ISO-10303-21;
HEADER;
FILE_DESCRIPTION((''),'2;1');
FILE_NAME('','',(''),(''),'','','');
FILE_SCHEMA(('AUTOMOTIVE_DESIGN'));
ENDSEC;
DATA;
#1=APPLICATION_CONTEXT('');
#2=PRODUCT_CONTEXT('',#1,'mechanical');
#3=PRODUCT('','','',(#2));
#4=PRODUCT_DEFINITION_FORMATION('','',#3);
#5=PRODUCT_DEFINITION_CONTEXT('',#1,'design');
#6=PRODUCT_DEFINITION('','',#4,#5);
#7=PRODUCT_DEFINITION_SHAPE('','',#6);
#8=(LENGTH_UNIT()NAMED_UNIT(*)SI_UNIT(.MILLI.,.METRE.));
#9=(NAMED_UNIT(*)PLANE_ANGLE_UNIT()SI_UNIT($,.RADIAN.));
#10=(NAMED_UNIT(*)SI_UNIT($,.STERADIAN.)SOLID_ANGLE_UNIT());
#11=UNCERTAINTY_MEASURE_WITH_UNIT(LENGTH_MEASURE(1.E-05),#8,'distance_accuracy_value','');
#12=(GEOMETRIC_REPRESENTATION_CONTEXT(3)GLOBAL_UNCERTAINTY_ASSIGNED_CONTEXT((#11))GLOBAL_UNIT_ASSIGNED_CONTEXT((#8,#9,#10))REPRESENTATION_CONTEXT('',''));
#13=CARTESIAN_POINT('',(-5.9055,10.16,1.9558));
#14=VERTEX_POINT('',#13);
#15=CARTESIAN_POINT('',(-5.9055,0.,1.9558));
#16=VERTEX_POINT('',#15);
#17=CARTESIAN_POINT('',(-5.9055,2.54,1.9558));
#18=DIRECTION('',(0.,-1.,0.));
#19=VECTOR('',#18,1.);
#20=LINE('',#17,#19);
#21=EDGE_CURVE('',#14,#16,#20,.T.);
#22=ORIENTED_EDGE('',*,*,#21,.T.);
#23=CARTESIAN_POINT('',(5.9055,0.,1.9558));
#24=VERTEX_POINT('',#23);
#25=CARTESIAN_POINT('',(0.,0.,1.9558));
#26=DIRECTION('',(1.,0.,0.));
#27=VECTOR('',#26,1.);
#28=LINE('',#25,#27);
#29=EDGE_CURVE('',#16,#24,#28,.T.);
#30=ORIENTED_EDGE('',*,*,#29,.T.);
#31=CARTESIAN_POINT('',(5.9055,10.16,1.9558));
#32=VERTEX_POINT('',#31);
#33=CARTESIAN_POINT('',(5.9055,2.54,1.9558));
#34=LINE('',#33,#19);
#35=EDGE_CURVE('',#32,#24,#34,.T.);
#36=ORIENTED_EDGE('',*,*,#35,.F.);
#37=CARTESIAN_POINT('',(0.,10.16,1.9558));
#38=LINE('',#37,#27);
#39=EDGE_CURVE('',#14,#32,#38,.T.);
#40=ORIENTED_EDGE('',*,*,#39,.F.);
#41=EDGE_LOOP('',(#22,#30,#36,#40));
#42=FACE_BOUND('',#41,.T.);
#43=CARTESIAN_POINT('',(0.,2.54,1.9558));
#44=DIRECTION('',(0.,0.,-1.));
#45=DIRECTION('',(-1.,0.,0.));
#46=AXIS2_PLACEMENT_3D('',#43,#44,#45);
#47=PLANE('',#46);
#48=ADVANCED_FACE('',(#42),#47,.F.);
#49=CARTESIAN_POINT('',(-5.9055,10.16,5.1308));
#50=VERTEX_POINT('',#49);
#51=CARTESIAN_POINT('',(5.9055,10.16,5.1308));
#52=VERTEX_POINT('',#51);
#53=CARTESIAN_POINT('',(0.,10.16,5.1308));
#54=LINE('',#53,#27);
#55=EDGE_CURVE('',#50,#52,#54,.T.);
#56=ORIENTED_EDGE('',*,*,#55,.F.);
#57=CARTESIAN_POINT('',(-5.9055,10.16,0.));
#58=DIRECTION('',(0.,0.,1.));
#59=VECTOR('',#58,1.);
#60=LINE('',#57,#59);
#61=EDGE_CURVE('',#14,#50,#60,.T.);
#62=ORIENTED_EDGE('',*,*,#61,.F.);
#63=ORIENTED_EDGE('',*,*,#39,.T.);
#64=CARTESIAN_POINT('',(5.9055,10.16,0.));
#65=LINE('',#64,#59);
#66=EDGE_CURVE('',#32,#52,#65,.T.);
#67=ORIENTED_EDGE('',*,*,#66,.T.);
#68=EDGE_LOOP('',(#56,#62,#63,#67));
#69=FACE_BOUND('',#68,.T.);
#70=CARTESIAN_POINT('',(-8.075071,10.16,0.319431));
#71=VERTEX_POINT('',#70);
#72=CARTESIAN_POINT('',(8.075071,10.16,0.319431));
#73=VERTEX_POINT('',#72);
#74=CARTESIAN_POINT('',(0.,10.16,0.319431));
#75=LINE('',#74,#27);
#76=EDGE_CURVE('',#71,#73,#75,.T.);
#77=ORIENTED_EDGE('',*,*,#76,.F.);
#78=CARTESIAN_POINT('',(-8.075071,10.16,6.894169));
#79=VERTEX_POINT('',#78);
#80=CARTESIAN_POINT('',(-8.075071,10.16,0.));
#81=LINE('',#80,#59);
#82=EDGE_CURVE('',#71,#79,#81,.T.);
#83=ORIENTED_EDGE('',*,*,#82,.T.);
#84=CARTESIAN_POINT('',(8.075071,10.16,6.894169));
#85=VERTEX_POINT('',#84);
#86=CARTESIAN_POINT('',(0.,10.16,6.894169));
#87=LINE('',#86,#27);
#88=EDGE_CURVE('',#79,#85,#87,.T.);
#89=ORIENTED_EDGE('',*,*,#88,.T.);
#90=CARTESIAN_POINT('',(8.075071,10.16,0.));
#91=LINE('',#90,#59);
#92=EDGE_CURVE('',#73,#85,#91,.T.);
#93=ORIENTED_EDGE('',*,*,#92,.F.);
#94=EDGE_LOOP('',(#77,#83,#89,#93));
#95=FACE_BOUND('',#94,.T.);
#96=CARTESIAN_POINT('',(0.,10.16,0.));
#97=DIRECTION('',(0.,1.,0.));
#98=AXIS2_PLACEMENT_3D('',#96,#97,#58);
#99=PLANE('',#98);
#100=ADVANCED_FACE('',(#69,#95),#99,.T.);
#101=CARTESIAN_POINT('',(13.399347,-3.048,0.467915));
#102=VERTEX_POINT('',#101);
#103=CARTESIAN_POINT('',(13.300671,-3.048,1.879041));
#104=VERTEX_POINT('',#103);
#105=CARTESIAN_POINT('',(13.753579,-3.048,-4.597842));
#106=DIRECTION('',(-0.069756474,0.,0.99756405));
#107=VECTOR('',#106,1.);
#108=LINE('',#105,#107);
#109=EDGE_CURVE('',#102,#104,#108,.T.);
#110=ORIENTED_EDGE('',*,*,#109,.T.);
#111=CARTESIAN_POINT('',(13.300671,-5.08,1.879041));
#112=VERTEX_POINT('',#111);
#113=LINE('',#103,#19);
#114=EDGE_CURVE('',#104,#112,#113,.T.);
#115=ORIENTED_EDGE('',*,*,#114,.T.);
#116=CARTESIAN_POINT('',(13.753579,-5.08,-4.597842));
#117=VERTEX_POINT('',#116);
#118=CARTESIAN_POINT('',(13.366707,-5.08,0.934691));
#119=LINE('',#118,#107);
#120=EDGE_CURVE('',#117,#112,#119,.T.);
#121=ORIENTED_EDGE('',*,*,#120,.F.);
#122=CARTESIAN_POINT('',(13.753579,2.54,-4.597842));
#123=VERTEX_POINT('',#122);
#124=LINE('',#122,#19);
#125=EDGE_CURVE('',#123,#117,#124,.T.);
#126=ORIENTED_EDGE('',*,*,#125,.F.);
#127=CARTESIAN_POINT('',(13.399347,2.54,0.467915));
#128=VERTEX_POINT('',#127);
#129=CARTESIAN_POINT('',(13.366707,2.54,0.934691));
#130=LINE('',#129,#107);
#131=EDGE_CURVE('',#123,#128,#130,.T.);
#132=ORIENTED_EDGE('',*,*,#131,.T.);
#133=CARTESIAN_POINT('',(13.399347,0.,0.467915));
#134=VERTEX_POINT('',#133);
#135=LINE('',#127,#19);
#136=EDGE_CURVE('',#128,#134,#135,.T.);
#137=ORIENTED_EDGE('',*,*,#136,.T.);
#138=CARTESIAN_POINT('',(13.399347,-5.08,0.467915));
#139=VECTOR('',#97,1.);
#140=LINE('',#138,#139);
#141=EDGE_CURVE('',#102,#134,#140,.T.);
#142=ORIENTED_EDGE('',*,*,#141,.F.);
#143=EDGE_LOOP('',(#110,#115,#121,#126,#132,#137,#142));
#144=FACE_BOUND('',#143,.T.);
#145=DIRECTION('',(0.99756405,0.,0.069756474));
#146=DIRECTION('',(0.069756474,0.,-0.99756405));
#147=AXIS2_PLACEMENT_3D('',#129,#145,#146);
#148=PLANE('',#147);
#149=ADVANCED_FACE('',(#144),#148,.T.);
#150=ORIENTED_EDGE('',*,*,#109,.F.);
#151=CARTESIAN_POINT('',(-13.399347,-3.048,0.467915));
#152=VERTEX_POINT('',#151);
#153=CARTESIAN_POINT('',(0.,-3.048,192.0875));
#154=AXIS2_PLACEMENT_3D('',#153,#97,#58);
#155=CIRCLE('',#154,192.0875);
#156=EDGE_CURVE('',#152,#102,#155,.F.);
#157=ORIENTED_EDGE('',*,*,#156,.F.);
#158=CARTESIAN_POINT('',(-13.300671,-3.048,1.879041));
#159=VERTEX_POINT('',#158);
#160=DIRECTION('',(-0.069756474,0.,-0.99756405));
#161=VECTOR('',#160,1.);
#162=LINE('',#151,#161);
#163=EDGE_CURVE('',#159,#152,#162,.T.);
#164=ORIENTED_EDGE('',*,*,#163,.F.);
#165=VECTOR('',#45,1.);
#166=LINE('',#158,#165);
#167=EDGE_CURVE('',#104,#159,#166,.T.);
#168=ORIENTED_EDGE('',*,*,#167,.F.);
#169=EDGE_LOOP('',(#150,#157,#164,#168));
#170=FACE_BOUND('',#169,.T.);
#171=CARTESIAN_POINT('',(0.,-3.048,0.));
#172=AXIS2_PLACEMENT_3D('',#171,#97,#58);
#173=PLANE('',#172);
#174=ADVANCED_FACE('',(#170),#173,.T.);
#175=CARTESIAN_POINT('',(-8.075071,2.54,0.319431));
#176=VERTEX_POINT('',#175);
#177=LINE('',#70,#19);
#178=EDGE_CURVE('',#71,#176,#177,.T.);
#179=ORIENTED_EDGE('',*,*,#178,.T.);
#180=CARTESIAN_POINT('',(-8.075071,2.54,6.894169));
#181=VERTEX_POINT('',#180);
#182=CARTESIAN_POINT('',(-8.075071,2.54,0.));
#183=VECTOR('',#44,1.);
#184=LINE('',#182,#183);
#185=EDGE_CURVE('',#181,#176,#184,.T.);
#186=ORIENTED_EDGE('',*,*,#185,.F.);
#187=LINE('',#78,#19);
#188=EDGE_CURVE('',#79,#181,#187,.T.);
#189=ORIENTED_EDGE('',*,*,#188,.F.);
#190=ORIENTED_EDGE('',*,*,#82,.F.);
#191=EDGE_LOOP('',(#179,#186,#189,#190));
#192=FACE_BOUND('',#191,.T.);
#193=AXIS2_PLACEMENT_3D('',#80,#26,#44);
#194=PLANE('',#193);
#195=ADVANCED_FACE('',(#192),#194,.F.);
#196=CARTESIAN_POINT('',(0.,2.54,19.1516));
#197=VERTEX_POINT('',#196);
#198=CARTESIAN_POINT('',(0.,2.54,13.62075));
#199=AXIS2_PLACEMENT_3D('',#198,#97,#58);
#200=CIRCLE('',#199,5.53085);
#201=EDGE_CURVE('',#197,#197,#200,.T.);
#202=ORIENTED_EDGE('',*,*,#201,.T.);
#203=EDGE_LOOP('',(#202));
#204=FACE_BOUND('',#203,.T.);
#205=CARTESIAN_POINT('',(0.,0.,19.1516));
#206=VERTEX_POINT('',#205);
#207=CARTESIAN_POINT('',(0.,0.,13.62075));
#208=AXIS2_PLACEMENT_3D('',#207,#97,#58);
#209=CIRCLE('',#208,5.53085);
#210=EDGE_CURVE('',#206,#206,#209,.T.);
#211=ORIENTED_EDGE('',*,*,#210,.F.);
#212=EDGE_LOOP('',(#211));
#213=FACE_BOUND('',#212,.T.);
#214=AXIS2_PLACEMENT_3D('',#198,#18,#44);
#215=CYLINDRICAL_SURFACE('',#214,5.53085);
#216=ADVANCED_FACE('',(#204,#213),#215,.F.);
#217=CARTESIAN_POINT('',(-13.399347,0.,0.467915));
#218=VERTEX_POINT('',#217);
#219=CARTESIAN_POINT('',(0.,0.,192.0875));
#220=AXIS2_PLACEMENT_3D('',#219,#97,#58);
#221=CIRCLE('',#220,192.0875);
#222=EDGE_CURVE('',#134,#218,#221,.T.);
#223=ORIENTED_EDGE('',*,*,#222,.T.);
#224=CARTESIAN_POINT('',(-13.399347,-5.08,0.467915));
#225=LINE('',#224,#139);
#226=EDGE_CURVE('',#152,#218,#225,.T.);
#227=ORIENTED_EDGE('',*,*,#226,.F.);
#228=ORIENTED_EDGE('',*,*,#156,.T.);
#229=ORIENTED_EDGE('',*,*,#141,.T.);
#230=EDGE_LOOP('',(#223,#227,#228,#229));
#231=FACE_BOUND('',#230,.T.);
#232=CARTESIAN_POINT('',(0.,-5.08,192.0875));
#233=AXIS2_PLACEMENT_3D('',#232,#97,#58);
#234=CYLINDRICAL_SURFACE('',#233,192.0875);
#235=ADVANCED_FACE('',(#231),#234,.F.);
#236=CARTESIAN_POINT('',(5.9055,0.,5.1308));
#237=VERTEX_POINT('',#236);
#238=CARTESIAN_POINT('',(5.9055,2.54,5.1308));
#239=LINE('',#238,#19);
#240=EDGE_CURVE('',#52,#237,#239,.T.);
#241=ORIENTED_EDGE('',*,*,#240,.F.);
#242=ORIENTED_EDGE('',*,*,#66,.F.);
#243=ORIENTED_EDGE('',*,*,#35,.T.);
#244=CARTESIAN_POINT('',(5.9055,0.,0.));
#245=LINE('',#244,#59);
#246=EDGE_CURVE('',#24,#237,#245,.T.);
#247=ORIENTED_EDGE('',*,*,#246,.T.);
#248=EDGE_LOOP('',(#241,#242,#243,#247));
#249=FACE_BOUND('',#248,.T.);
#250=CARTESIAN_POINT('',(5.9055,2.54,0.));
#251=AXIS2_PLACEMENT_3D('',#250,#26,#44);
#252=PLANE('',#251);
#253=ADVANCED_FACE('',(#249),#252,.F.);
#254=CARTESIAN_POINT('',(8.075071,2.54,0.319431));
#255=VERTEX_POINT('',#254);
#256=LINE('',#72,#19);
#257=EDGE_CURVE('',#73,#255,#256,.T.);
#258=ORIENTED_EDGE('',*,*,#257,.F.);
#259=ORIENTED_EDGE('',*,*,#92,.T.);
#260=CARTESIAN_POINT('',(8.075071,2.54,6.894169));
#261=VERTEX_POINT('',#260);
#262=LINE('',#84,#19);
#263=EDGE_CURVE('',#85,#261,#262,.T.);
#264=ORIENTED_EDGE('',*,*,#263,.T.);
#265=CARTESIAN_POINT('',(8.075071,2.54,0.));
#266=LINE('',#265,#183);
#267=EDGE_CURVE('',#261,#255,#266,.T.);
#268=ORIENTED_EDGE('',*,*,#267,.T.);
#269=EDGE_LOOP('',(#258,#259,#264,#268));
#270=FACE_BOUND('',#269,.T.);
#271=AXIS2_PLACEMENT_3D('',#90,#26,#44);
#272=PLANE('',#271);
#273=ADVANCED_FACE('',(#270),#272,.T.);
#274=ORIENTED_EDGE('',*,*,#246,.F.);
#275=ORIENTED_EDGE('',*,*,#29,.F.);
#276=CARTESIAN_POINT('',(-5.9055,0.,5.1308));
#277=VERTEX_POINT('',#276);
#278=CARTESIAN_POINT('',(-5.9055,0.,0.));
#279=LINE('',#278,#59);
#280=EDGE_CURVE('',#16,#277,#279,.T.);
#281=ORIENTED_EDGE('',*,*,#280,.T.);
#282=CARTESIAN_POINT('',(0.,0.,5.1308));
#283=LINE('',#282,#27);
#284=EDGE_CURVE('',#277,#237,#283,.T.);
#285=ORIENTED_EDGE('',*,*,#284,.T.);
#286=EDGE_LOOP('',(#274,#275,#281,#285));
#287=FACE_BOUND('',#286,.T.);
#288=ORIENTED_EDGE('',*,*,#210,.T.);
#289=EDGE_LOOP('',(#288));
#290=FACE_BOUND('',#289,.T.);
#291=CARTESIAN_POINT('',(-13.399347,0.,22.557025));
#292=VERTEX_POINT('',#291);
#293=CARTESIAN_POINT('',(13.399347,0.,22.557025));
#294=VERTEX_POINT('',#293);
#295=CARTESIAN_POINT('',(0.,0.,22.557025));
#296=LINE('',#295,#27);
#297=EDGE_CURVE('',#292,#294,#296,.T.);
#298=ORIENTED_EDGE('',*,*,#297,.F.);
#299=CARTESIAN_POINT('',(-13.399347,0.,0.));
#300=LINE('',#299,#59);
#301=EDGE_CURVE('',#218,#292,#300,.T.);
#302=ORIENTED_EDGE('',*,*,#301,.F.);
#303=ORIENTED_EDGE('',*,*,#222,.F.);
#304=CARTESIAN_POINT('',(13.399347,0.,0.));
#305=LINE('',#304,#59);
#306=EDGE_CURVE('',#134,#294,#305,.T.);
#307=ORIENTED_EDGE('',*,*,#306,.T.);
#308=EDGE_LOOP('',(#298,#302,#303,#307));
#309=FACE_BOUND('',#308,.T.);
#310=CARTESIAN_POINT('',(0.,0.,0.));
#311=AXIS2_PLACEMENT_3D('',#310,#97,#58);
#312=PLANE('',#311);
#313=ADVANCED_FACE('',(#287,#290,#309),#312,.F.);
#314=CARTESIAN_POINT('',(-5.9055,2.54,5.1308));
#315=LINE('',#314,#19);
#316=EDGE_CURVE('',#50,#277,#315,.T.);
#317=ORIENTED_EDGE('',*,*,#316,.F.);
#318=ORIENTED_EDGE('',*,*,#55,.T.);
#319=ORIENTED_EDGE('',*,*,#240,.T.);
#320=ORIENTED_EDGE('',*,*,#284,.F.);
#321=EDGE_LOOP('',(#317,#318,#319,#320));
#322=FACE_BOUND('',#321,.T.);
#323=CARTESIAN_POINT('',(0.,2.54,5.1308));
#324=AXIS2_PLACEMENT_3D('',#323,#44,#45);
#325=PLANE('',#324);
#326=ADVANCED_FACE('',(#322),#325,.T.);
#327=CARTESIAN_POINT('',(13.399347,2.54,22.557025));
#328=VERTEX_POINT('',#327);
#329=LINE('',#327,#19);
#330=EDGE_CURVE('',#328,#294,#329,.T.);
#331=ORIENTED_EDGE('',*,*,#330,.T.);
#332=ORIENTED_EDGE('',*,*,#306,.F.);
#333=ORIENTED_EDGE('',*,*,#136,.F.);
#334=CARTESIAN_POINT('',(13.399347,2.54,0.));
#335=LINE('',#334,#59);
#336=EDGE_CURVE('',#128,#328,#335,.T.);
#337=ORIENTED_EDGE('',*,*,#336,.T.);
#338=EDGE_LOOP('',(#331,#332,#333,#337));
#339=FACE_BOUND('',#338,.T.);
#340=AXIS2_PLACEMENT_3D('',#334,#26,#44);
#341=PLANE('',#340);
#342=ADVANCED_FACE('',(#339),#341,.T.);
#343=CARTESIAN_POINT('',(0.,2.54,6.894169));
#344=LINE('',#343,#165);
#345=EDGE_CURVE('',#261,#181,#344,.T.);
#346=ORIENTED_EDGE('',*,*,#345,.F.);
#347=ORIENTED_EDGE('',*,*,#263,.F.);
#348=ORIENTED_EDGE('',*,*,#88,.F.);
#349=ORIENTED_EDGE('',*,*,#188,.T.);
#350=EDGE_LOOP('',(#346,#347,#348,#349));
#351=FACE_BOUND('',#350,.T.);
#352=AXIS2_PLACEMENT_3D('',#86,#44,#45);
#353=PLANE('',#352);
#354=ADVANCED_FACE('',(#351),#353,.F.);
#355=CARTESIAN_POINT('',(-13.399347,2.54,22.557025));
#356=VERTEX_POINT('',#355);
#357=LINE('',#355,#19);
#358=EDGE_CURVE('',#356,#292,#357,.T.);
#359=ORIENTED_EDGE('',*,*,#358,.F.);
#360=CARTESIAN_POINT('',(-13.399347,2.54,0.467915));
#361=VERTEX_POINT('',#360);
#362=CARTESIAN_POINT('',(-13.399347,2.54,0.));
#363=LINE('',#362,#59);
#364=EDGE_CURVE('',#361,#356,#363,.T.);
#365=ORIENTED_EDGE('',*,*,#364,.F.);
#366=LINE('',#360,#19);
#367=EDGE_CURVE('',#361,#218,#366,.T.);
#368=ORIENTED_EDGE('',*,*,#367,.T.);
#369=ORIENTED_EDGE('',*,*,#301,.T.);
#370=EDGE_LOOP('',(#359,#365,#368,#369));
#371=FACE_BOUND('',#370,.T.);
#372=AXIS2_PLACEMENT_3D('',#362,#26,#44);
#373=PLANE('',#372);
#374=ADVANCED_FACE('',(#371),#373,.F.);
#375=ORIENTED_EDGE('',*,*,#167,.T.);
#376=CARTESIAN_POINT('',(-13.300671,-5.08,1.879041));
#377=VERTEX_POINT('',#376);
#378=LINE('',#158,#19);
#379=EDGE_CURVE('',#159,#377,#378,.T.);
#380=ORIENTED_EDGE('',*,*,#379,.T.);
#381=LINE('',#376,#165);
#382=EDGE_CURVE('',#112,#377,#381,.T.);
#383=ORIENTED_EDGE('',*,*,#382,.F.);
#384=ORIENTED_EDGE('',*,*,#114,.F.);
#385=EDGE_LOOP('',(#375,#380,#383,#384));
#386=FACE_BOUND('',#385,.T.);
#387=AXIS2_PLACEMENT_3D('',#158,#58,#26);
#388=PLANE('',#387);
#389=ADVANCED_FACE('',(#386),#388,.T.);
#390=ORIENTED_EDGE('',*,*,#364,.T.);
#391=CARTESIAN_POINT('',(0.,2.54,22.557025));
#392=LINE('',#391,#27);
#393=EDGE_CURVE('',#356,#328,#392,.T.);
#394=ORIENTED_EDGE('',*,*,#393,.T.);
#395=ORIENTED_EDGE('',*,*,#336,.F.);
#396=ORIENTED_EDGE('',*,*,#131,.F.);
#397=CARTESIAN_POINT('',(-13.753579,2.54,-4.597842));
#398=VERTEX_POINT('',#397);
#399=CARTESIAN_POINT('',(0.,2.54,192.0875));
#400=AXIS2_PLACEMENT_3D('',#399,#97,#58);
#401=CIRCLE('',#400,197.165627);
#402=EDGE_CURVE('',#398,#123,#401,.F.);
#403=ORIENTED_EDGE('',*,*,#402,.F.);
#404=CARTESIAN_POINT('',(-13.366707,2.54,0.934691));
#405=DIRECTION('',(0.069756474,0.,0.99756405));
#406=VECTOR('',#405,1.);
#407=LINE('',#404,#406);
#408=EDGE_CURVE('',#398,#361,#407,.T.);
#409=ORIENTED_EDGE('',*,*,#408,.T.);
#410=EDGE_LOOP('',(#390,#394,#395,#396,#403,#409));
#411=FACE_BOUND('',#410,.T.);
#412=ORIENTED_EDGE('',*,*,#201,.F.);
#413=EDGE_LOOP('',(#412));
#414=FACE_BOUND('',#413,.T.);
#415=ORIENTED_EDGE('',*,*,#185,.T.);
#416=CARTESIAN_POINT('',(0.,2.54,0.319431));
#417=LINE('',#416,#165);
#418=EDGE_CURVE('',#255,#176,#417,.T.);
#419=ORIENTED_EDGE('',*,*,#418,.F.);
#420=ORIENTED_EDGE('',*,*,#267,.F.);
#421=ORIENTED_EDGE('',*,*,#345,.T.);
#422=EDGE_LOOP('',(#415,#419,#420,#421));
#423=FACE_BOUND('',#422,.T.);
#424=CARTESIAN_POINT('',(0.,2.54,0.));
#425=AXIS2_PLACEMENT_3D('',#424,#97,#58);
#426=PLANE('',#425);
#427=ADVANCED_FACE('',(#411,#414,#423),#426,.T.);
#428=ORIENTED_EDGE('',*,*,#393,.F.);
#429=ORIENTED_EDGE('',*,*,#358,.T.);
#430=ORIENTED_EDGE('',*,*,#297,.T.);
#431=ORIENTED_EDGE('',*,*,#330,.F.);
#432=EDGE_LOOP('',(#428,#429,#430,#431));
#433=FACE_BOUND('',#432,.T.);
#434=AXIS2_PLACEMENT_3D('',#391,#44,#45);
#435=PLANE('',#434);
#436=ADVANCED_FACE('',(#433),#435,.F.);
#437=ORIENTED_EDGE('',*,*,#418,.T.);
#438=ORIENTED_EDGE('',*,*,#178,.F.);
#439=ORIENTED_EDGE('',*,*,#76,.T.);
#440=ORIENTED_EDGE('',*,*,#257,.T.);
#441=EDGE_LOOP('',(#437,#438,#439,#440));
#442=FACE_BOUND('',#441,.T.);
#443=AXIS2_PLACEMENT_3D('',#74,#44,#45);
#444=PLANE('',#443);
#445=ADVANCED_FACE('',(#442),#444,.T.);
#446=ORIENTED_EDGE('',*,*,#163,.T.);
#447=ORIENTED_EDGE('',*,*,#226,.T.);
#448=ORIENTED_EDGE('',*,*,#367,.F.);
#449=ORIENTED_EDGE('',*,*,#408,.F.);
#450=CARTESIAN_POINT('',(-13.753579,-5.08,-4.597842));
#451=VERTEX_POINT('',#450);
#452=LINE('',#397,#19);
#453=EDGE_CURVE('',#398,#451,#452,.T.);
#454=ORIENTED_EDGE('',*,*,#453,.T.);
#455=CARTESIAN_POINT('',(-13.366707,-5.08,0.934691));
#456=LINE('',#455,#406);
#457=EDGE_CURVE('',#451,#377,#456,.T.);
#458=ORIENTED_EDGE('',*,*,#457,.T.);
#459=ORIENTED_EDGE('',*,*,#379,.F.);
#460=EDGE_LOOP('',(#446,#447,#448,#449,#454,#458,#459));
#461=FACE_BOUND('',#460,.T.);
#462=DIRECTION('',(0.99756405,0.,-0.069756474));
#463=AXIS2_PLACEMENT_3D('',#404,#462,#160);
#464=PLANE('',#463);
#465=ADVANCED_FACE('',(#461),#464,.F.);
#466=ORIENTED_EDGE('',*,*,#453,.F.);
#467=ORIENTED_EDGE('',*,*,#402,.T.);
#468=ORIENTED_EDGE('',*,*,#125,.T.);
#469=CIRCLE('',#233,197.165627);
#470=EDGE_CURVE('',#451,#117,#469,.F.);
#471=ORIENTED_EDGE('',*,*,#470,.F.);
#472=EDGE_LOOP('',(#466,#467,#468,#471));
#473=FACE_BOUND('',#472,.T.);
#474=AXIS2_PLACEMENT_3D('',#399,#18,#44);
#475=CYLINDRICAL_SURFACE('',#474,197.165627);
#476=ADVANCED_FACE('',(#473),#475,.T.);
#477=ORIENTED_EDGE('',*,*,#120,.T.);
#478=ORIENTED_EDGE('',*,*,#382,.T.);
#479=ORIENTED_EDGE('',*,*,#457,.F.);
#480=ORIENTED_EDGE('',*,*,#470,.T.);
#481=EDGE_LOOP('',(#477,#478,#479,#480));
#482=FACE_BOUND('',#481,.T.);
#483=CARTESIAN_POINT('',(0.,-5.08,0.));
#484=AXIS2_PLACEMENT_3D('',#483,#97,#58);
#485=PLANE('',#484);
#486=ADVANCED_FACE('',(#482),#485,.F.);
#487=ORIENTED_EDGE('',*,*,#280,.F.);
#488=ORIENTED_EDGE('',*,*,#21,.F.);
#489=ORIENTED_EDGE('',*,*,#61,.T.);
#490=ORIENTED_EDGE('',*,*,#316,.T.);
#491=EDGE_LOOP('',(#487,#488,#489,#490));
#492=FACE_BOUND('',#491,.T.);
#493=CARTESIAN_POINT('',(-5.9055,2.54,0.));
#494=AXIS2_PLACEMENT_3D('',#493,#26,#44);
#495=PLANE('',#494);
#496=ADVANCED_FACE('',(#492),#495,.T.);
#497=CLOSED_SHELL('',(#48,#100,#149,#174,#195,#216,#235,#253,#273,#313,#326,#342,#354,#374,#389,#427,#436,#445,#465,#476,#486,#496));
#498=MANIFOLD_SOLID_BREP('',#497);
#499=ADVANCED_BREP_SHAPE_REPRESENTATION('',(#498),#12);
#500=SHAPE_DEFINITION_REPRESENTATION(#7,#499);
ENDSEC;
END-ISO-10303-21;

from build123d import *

# Parameters (mm, degrees)
SKETCH1_R           = 5.53085
SKETCH1_W           = 11.811
SKETCH1_H           = 3.175
BOSS_EXTRUDE1_DEPTH = 2.54
SKETCH1_3_W         = 16.150142566
SKETCH1_3_H         = 6.574737844
BOSS_EXTRUDE2_DEPTH = 10.16
BOSS_EXTRUDE3_START = -5.08
BOSS_EXTRUDE3_DEPTH = 5.08
BOSS_EXTRUDE5_DEPTH = 2.032


with BuildPart() as part:
    # Sketch1 → Boss-Extrude1 (new body)
    with BuildSketch(Plane(origin=(0, 0, 0), x_dir=(1, 0, 0), z_dir=(0, 1, 0))):
        with BuildLine():
            ThreePointArc((13.753578899, 4.597841674), (0, 5.078127233), (-13.753578899, 4.597841674))
            Line((-13.753578899, 4.597841674), (-13.39934665, -0.467915496))
            Line((-13.39934665, -0.467915496), (-13.39934665, -22.557024998))
            Line((-13.39934665, -22.557024998), (13.39934665, -22.557024998))
            Line((13.39934665, -22.557024998), (13.39934665, -0.467915496))
            Line((13.39934665, -0.467915496), (13.753578899, 4.597841674))
        make_face()
        with Locations((0, -13.62075)):
            Circle(SKETCH1_R, mode=Mode.SUBTRACT)
        with Locations((0, -3.5433)):
            Rectangle(SKETCH1_W, SKETCH1_H, mode=Mode.SUBTRACT)
    extrude(amount=BOSS_EXTRUDE1_DEPTH)

    # Sketch1<3> → Boss-Extrude2 (add)
    with BuildSketch(Plane(origin=(0, 0, 0), x_dir=(1, 0, 0), z_dir=(0, 1, 0))):
        with Locations((0, -3.6068)):
            Rectangle(SKETCH1_3_W, SKETCH1_3_H)
        Polygon((0, -5.1308), (-5.9055, -5.1308), (-5.9055, -1.9558), (5.9055, -1.9558), (5.9055, -5.1308), align=None, mode=Mode.SUBTRACT)
    extrude(amount=BOSS_EXTRUDE2_DEPTH)

    # Sketch1<4> → Boss-Extrude3 (add)
    with BuildSketch(Plane(origin=(0, 0, 0), x_dir=(1, 0, 0), z_dir=(0, 1, 0)).offset(BOSS_EXTRUDE3_START)):
        with BuildLine():
            ThreePointArc((13.753578899, 4.597841674), (0, 5.078127233), (-13.753578899, 4.597841674))
            Line((-13.753578899, 4.597841674), (-13.39934665, -0.467915496))
            ThreePointArc((-13.39934665, -0.467915496), (-6.703757073, -0.117014515), (0, 0))
            ThreePointArc((0, 0), (6.703757073, -0.117014515), (13.39934665, -0.467915496))
            Line((13.39934665, -0.467915496), (13.753578899, 4.597841674))
        make_face()
    extrude(amount=BOSS_EXTRUDE3_DEPTH)

    # Sketch2 → Boss-Extrude5 (add)
    with BuildSketch(Plane.XZ.offset(5.08)):
        Polygon((-13.753578899, -4.597841674), (-13.39934665, 0.467915496), (-13.300671129, 1.879041191), (13.300671129, 1.879041191), (13.39934665, 0.467915496), (13.753578899, -4.597841674), align=None)
    extrude(amount=-BOSS_EXTRUDE5_DEPTH)


solid = part.part
